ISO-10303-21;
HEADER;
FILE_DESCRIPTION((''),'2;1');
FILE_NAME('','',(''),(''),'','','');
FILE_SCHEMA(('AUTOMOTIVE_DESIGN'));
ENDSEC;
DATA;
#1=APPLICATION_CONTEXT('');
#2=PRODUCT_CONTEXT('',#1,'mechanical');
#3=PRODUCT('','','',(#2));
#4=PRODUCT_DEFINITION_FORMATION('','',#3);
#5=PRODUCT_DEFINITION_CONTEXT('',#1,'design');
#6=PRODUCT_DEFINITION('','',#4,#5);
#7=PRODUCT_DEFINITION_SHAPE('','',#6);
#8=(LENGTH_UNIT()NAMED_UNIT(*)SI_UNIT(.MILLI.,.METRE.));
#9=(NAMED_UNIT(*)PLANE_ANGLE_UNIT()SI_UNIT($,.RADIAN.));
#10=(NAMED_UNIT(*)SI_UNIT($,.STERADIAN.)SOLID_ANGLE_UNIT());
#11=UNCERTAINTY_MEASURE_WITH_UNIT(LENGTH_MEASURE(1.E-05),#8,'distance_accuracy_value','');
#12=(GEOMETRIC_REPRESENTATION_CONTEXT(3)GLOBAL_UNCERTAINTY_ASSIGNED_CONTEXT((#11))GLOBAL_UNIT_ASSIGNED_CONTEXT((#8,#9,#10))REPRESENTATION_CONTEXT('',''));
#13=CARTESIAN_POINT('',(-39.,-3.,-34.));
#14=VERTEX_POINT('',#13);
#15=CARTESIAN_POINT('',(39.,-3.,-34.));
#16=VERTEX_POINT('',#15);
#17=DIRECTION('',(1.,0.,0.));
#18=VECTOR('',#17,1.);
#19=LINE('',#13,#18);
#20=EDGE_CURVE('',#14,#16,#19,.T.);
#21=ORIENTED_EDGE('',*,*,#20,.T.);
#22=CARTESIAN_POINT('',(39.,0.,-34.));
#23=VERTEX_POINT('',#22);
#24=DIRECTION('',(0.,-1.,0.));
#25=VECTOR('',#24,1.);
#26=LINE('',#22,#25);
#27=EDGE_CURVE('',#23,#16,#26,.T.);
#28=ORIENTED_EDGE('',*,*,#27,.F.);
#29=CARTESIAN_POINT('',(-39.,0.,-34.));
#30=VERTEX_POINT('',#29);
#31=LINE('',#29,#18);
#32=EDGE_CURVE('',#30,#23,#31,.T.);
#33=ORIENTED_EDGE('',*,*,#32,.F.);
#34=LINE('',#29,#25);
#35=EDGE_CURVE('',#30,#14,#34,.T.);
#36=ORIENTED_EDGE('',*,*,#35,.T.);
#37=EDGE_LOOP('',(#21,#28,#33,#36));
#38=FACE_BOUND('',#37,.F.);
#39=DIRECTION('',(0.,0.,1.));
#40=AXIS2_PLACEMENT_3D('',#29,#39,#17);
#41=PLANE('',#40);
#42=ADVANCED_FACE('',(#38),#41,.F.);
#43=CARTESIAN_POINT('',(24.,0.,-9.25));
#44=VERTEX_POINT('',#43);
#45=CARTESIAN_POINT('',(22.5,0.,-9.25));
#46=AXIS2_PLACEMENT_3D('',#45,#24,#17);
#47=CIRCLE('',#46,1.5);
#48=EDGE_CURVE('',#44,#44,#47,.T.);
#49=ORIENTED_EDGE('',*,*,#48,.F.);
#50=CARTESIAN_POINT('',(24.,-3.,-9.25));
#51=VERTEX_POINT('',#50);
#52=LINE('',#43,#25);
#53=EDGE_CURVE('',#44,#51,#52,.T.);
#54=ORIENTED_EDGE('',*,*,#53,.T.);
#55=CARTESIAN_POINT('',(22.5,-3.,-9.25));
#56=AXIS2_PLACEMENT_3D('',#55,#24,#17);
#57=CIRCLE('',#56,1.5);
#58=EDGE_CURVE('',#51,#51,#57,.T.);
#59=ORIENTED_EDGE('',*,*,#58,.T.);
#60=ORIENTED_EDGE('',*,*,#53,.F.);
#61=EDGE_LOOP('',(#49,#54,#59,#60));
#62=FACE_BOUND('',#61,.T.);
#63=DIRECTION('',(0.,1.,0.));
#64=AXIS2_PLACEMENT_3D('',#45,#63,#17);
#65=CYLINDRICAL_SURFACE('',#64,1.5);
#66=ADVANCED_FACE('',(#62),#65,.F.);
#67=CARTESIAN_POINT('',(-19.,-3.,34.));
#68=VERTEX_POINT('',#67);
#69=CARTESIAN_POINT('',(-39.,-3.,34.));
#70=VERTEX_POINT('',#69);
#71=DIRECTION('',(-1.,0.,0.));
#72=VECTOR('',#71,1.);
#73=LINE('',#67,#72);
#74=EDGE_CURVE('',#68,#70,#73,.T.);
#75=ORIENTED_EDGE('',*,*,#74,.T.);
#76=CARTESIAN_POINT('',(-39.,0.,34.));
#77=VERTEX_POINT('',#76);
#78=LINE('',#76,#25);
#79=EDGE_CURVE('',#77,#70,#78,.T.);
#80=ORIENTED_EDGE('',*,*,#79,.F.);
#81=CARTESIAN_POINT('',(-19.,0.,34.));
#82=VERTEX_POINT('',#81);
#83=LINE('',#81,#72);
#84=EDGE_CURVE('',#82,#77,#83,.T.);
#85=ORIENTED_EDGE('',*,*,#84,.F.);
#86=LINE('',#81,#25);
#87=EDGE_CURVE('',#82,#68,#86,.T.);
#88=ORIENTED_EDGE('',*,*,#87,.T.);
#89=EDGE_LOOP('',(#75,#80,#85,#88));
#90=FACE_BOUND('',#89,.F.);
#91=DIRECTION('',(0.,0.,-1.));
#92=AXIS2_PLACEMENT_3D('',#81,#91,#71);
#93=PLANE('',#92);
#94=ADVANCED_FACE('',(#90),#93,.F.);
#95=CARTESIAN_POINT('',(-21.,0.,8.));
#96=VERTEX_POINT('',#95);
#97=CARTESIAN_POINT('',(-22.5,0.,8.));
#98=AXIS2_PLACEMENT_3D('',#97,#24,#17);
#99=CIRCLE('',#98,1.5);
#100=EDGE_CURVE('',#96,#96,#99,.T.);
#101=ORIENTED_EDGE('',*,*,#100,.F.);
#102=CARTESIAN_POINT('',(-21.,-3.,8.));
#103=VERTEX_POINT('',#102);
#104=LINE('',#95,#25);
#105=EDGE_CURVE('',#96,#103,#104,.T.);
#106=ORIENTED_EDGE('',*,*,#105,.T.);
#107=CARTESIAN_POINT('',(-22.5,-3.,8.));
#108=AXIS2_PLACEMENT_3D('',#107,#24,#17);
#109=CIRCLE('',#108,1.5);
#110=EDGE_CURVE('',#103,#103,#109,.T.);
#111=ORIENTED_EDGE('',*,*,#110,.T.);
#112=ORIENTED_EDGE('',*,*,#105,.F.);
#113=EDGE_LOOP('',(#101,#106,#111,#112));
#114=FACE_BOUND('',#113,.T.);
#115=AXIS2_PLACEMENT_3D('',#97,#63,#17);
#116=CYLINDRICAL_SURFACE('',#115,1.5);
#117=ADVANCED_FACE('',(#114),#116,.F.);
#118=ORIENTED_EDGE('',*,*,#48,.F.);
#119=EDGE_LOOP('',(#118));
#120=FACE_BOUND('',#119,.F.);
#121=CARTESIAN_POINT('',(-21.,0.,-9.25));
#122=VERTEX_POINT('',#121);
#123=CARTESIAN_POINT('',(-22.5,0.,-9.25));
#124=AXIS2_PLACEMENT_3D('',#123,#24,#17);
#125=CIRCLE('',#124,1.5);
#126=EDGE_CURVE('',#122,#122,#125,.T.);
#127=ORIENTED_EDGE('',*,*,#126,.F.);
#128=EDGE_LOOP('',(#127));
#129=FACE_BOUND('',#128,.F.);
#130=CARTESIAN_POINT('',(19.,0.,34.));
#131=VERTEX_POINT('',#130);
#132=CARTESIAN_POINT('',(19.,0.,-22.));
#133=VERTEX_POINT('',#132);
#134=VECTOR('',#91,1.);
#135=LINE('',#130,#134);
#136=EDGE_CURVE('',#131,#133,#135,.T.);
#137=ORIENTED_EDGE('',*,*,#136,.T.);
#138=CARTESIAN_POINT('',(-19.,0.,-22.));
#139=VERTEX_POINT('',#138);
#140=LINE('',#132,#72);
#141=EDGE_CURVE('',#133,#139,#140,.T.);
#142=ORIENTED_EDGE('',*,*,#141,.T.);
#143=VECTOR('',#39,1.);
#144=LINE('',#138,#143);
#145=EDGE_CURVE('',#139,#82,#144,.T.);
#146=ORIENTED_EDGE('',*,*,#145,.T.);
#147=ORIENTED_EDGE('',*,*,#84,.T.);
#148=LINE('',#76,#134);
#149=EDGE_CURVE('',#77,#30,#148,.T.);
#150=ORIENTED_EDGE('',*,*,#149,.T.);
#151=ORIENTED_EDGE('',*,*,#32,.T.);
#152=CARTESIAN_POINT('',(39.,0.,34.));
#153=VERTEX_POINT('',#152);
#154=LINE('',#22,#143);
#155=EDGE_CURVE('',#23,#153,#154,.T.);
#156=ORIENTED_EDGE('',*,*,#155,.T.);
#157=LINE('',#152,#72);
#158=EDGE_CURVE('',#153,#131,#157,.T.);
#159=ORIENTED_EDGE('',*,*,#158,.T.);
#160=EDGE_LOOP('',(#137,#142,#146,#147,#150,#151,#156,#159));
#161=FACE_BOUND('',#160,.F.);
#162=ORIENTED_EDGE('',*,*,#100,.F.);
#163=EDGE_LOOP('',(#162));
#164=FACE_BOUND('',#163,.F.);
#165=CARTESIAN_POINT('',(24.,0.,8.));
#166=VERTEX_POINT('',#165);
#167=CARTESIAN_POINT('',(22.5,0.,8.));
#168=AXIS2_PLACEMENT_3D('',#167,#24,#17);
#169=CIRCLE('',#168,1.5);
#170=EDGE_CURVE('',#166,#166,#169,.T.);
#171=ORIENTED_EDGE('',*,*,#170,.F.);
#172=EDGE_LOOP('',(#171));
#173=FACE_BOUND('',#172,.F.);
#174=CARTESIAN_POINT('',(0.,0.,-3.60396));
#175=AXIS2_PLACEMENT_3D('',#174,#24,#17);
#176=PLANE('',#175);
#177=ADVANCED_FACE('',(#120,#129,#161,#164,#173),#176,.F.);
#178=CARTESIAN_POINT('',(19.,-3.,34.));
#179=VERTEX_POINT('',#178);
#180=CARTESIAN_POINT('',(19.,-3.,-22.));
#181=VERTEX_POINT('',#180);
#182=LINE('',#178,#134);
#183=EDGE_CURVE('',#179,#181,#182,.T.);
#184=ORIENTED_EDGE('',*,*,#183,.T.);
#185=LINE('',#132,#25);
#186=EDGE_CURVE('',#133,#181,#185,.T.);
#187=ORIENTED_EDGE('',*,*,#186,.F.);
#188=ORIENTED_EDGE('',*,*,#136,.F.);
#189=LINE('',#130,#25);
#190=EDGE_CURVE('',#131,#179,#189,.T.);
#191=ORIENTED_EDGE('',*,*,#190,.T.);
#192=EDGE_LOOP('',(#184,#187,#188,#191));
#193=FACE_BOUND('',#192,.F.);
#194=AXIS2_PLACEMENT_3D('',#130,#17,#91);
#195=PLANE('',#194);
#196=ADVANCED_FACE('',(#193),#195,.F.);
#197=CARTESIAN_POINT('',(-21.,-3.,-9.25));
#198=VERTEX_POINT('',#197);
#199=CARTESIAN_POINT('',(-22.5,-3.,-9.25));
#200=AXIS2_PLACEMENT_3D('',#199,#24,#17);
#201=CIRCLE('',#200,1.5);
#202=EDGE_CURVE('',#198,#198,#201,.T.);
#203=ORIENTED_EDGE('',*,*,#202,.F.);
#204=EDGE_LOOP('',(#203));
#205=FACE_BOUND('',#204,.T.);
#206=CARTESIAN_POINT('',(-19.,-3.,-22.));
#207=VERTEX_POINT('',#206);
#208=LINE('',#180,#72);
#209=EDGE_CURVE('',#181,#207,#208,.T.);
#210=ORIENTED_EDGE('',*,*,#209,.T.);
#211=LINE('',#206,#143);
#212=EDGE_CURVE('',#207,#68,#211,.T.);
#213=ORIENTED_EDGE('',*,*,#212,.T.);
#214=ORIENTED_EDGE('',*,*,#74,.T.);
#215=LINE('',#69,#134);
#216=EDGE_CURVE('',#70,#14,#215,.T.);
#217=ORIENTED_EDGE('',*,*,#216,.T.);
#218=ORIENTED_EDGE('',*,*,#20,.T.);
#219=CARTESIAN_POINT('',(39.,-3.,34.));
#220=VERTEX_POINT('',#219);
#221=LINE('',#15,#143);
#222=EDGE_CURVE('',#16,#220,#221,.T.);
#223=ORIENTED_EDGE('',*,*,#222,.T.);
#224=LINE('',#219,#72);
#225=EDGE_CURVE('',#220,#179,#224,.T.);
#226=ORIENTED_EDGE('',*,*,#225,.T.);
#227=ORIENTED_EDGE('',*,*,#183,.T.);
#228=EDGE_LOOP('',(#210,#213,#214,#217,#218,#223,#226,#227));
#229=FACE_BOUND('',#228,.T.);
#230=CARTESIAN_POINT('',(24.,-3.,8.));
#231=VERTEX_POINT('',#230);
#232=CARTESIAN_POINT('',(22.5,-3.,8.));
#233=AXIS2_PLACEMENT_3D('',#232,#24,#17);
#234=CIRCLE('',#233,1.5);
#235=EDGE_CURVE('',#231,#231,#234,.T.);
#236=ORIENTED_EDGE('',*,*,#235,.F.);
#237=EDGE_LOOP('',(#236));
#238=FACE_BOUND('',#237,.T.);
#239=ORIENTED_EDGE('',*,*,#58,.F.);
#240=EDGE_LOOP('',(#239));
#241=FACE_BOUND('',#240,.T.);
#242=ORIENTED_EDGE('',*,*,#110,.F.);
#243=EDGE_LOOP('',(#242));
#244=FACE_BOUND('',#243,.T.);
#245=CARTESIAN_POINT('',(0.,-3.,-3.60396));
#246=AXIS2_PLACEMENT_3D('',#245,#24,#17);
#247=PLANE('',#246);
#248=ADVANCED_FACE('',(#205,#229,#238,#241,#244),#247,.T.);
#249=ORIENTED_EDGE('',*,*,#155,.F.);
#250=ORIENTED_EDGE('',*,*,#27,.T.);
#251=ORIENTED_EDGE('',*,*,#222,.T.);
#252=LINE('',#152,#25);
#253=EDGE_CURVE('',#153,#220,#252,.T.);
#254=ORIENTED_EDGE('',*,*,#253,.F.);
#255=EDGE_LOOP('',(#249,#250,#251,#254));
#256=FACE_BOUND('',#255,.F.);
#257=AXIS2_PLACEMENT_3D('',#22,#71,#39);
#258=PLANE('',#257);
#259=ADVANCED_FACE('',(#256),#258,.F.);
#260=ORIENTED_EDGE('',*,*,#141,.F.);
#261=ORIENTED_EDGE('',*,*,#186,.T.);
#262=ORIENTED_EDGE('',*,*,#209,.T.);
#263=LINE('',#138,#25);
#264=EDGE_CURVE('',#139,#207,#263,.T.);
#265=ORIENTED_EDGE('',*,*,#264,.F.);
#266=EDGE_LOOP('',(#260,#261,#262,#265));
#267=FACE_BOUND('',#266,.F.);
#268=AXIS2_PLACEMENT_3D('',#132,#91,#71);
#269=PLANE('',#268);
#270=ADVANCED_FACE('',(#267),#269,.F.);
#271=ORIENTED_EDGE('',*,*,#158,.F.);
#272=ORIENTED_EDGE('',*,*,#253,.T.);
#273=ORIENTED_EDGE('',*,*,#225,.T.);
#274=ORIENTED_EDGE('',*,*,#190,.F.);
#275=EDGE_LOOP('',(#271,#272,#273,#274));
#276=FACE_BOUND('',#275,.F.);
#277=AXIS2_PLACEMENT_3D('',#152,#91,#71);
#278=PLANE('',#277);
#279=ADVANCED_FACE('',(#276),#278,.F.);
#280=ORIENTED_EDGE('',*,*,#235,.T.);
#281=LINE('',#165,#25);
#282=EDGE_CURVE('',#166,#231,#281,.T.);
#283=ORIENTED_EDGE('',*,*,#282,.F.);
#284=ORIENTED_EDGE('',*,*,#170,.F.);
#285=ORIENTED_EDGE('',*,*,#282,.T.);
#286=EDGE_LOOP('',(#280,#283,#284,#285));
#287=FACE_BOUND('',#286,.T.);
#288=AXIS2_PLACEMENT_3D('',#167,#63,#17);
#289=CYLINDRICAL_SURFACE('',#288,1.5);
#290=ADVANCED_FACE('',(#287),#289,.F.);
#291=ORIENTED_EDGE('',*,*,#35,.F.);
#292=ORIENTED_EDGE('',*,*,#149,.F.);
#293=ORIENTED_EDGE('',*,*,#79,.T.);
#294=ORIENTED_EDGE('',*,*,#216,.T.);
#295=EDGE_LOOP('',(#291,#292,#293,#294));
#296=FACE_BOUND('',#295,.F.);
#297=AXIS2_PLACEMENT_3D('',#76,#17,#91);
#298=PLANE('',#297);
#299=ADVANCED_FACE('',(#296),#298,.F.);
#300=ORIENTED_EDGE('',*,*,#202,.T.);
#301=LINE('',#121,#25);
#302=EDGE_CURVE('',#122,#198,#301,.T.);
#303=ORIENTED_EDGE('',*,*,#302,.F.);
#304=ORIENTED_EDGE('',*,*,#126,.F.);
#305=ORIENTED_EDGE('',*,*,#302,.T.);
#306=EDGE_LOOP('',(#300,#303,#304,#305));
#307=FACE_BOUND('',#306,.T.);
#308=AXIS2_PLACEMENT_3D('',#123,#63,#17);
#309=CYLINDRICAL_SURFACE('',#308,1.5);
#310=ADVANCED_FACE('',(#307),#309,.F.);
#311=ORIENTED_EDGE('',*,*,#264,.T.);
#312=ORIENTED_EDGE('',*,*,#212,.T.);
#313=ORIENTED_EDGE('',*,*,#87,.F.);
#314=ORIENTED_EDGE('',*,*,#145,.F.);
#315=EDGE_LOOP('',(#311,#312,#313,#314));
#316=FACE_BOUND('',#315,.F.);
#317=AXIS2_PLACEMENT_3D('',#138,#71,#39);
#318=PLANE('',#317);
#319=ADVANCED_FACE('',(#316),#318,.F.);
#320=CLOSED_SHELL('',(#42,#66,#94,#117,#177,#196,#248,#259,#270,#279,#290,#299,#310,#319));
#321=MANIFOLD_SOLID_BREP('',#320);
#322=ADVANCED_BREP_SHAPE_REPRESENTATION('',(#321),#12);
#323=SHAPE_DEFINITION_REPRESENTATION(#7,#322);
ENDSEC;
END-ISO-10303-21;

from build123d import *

# Parameters (mm, degrees)
F0_R     = 1.5
F1_DEPTH = 3


with BuildPart() as f1:
    # F0 (on Front) → F1 (new body)
    with BuildSketch(Plane.XZ):
        Polygon((-39, -34), (39, -34), (39, 34), (19, 34), (19, 19.584961), (19, -19.584961), (19, -22), (-19, -22), (-19, -19.584961), (-19, 19.584961), (-19, 34), (-39, 34), align=None)
        with Locations((-22.5, -9.25)):
            Circle(F0_R, mode=Mode.SUBTRACT)
        with Locations((22.5, -9.25)):
            Circle(F0_R, mode=Mode.SUBTRACT)
        with Locations((-22.5, 8)):
            Circle(F0_R, mode=Mode.SUBTRACT)
        with Locations((22.5, 8)):
            Circle(F0_R, mode=Mode.SUBTRACT)
    extrude(amount=F1_DEPTH)


solid = f1.part
